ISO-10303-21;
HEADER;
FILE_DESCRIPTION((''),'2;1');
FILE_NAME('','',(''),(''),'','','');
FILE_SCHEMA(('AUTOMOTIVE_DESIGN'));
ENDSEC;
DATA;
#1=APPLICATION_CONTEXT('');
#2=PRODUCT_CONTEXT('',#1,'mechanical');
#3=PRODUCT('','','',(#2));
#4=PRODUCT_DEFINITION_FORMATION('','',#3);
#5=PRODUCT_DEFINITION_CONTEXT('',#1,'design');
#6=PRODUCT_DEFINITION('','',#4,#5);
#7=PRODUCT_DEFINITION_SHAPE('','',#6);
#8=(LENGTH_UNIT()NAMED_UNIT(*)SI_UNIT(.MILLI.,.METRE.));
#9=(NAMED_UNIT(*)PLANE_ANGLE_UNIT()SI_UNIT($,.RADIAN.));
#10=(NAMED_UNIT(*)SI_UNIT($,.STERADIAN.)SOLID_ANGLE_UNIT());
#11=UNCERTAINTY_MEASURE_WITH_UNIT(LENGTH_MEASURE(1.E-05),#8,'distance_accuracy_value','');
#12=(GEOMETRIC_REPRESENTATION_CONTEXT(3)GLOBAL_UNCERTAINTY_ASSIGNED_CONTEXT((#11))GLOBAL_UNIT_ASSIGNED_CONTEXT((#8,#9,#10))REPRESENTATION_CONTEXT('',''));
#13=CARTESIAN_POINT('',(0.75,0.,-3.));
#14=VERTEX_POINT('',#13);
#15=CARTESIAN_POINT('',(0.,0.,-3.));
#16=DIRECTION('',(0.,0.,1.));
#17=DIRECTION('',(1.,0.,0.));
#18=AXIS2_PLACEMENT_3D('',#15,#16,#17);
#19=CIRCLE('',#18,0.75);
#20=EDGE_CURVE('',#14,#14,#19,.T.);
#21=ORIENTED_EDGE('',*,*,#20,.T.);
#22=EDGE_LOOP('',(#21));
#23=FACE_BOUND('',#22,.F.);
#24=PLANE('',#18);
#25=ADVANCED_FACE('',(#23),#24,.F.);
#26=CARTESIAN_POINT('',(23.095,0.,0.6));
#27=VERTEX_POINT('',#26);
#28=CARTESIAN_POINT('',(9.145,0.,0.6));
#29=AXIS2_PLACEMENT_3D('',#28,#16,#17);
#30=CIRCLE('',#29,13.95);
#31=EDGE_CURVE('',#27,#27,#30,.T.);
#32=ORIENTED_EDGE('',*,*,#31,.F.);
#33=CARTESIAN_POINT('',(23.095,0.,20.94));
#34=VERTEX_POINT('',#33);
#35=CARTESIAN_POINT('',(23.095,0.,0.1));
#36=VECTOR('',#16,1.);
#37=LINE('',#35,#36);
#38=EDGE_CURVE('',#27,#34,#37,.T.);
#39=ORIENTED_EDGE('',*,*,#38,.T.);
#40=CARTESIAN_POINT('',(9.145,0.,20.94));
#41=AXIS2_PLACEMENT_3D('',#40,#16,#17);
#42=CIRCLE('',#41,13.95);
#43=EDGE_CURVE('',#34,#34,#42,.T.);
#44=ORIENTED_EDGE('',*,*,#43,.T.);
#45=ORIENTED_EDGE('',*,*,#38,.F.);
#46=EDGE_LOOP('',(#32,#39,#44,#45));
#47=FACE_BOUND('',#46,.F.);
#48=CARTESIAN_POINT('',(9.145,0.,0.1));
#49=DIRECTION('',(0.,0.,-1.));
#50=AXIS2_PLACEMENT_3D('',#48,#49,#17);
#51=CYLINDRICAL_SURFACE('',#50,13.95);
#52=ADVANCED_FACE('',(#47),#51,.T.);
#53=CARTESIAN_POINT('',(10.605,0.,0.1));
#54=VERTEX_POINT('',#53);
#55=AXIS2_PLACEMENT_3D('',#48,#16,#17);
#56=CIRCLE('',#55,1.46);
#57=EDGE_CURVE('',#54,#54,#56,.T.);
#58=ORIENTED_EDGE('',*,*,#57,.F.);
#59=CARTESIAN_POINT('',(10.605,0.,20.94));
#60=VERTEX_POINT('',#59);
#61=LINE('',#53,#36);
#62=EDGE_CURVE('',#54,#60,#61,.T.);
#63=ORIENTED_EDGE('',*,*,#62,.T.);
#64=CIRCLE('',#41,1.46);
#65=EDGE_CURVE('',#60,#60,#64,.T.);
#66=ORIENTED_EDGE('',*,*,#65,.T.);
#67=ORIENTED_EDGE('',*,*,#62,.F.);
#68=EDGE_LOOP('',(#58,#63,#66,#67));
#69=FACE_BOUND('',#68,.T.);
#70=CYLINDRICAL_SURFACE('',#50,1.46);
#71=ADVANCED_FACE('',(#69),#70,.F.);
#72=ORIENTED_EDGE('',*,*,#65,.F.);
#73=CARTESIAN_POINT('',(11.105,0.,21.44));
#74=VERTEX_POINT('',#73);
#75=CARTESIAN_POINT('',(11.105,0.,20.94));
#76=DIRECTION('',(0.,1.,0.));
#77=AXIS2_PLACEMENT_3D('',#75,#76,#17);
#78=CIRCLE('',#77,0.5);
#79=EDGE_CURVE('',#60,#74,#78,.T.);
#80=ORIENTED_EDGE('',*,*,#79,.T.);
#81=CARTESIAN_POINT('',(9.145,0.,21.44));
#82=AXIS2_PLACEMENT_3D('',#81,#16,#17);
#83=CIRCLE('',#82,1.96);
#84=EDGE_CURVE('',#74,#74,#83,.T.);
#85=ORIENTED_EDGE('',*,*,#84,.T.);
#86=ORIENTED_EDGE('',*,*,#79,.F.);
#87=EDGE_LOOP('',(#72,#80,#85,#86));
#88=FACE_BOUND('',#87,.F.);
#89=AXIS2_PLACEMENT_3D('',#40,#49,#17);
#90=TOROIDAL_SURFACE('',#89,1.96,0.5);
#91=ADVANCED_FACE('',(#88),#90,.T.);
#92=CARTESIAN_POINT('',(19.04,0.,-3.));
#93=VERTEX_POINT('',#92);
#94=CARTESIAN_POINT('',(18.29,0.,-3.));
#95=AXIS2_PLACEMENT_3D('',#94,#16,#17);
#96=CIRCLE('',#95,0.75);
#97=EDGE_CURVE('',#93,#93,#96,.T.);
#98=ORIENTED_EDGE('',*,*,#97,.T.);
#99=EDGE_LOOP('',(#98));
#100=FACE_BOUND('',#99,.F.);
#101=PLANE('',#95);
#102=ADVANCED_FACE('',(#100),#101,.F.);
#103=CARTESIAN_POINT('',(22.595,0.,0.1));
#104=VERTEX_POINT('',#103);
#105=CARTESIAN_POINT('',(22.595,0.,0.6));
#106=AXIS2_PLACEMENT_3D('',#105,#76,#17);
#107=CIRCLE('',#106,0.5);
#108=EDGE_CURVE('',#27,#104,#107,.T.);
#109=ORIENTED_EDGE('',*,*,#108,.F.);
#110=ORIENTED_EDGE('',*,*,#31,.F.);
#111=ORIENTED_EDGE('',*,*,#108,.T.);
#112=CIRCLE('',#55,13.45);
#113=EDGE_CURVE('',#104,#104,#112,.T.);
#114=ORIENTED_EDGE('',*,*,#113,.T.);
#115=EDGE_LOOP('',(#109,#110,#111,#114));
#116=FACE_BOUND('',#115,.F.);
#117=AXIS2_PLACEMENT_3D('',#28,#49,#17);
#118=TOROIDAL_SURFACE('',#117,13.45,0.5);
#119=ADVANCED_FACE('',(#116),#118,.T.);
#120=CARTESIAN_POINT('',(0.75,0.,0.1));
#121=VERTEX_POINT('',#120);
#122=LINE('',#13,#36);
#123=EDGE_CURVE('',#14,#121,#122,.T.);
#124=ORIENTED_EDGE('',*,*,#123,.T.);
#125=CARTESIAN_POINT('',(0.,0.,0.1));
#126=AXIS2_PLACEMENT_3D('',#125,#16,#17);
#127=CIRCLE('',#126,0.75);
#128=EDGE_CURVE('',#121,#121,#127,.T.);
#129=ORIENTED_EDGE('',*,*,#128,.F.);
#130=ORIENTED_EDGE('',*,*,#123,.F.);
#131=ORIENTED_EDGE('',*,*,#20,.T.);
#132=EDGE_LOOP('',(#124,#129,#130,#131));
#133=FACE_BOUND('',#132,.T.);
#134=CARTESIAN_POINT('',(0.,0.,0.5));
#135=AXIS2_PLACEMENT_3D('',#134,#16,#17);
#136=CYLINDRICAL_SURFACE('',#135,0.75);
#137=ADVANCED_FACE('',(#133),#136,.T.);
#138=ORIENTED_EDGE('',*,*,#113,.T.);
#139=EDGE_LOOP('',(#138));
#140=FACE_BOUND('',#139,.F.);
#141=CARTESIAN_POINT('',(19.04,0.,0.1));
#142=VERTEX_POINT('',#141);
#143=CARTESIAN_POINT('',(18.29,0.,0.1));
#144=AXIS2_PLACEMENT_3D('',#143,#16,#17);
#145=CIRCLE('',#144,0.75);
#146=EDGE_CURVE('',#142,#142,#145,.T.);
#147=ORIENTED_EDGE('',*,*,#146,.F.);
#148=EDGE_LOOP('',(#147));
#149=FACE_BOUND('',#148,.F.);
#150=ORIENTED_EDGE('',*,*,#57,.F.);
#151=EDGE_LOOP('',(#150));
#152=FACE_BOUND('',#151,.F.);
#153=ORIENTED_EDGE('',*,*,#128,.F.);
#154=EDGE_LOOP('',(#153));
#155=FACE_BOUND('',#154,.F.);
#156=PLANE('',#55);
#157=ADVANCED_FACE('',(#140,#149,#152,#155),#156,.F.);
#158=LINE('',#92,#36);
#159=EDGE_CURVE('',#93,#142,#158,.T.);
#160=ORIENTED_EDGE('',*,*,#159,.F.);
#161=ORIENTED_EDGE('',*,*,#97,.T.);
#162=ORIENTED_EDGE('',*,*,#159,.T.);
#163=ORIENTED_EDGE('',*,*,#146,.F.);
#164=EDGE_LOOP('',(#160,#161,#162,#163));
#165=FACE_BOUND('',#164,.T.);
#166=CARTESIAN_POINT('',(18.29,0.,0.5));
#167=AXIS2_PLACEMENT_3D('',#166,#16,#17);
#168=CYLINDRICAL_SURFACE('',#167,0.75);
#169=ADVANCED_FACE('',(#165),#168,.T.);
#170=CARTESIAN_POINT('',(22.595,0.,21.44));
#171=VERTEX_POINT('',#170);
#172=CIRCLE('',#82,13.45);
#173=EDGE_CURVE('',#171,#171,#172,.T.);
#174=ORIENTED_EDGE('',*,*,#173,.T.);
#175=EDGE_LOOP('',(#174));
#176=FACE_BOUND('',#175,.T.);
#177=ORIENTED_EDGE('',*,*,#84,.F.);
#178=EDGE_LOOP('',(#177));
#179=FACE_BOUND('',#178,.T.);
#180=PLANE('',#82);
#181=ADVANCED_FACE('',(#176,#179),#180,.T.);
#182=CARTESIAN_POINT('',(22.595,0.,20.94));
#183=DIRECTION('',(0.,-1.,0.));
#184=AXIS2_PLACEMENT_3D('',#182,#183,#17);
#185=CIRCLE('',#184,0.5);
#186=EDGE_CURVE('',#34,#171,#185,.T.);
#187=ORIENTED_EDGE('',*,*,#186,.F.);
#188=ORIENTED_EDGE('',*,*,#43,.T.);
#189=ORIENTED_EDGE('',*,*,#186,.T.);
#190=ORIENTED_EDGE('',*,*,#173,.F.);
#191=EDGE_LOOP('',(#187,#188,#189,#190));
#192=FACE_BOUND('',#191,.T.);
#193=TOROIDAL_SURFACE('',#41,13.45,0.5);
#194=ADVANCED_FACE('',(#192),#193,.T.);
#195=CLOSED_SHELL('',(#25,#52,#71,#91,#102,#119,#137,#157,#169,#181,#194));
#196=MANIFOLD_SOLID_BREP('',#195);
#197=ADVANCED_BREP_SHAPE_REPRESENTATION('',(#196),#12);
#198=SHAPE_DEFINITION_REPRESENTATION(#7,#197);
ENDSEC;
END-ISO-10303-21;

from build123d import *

# Parameters (mm, degrees)
SKETCH001_R       = 0.75
PAD001_DEPTH      = 10.67
PAD001_DEPTH_BACK = 3.5
SKETCH_R          = 13.95
SKETCH_R_2        = 1.46
PAD_DEPTH         = 21.34
FILLET_R          = 0.5


with BuildPart() as pad001:
    # Sketch001 → Pad001 (new body, two sides)
    with BuildSketch(Plane.XY.offset(0.5)) as pad001_sk:
        Circle(SKETCH001_R)
        with Locations((18.29, 0)):
            Circle(SKETCH001_R)
    extrude(amount=PAD001_DEPTH)
    extrude(pad001_sk.sketch, amount=-PAD001_DEPTH_BACK)


with BuildPart() as fillet_mp_cp:
    # Sketch → Pad (new body)
    with BuildSketch(Plane.XY.offset(0.1)):
        with Locations((9.145, 0)):
            Circle(SKETCH_R)
        with Locations((9.145, 0)):
            Circle(SKETCH_R_2, mode=Mode.SUBTRACT)
    extrude(amount=PAD_DEPTH)

    # Fillet
    fillet_edges = [fillet_mp_cp.edges().sort_by_distance(p)[0] for p in [
        (7.685, 0, 21.44),
        (-4.805, 0, 21.44),
        (-4.805, 0, 0.1),
    ]]
    fillet(fillet_edges, radius=FILLET_R)

    # Fillet_mp_cp: union Pad001
    add(pad001.part)


solid = fillet_mp_cp.part
